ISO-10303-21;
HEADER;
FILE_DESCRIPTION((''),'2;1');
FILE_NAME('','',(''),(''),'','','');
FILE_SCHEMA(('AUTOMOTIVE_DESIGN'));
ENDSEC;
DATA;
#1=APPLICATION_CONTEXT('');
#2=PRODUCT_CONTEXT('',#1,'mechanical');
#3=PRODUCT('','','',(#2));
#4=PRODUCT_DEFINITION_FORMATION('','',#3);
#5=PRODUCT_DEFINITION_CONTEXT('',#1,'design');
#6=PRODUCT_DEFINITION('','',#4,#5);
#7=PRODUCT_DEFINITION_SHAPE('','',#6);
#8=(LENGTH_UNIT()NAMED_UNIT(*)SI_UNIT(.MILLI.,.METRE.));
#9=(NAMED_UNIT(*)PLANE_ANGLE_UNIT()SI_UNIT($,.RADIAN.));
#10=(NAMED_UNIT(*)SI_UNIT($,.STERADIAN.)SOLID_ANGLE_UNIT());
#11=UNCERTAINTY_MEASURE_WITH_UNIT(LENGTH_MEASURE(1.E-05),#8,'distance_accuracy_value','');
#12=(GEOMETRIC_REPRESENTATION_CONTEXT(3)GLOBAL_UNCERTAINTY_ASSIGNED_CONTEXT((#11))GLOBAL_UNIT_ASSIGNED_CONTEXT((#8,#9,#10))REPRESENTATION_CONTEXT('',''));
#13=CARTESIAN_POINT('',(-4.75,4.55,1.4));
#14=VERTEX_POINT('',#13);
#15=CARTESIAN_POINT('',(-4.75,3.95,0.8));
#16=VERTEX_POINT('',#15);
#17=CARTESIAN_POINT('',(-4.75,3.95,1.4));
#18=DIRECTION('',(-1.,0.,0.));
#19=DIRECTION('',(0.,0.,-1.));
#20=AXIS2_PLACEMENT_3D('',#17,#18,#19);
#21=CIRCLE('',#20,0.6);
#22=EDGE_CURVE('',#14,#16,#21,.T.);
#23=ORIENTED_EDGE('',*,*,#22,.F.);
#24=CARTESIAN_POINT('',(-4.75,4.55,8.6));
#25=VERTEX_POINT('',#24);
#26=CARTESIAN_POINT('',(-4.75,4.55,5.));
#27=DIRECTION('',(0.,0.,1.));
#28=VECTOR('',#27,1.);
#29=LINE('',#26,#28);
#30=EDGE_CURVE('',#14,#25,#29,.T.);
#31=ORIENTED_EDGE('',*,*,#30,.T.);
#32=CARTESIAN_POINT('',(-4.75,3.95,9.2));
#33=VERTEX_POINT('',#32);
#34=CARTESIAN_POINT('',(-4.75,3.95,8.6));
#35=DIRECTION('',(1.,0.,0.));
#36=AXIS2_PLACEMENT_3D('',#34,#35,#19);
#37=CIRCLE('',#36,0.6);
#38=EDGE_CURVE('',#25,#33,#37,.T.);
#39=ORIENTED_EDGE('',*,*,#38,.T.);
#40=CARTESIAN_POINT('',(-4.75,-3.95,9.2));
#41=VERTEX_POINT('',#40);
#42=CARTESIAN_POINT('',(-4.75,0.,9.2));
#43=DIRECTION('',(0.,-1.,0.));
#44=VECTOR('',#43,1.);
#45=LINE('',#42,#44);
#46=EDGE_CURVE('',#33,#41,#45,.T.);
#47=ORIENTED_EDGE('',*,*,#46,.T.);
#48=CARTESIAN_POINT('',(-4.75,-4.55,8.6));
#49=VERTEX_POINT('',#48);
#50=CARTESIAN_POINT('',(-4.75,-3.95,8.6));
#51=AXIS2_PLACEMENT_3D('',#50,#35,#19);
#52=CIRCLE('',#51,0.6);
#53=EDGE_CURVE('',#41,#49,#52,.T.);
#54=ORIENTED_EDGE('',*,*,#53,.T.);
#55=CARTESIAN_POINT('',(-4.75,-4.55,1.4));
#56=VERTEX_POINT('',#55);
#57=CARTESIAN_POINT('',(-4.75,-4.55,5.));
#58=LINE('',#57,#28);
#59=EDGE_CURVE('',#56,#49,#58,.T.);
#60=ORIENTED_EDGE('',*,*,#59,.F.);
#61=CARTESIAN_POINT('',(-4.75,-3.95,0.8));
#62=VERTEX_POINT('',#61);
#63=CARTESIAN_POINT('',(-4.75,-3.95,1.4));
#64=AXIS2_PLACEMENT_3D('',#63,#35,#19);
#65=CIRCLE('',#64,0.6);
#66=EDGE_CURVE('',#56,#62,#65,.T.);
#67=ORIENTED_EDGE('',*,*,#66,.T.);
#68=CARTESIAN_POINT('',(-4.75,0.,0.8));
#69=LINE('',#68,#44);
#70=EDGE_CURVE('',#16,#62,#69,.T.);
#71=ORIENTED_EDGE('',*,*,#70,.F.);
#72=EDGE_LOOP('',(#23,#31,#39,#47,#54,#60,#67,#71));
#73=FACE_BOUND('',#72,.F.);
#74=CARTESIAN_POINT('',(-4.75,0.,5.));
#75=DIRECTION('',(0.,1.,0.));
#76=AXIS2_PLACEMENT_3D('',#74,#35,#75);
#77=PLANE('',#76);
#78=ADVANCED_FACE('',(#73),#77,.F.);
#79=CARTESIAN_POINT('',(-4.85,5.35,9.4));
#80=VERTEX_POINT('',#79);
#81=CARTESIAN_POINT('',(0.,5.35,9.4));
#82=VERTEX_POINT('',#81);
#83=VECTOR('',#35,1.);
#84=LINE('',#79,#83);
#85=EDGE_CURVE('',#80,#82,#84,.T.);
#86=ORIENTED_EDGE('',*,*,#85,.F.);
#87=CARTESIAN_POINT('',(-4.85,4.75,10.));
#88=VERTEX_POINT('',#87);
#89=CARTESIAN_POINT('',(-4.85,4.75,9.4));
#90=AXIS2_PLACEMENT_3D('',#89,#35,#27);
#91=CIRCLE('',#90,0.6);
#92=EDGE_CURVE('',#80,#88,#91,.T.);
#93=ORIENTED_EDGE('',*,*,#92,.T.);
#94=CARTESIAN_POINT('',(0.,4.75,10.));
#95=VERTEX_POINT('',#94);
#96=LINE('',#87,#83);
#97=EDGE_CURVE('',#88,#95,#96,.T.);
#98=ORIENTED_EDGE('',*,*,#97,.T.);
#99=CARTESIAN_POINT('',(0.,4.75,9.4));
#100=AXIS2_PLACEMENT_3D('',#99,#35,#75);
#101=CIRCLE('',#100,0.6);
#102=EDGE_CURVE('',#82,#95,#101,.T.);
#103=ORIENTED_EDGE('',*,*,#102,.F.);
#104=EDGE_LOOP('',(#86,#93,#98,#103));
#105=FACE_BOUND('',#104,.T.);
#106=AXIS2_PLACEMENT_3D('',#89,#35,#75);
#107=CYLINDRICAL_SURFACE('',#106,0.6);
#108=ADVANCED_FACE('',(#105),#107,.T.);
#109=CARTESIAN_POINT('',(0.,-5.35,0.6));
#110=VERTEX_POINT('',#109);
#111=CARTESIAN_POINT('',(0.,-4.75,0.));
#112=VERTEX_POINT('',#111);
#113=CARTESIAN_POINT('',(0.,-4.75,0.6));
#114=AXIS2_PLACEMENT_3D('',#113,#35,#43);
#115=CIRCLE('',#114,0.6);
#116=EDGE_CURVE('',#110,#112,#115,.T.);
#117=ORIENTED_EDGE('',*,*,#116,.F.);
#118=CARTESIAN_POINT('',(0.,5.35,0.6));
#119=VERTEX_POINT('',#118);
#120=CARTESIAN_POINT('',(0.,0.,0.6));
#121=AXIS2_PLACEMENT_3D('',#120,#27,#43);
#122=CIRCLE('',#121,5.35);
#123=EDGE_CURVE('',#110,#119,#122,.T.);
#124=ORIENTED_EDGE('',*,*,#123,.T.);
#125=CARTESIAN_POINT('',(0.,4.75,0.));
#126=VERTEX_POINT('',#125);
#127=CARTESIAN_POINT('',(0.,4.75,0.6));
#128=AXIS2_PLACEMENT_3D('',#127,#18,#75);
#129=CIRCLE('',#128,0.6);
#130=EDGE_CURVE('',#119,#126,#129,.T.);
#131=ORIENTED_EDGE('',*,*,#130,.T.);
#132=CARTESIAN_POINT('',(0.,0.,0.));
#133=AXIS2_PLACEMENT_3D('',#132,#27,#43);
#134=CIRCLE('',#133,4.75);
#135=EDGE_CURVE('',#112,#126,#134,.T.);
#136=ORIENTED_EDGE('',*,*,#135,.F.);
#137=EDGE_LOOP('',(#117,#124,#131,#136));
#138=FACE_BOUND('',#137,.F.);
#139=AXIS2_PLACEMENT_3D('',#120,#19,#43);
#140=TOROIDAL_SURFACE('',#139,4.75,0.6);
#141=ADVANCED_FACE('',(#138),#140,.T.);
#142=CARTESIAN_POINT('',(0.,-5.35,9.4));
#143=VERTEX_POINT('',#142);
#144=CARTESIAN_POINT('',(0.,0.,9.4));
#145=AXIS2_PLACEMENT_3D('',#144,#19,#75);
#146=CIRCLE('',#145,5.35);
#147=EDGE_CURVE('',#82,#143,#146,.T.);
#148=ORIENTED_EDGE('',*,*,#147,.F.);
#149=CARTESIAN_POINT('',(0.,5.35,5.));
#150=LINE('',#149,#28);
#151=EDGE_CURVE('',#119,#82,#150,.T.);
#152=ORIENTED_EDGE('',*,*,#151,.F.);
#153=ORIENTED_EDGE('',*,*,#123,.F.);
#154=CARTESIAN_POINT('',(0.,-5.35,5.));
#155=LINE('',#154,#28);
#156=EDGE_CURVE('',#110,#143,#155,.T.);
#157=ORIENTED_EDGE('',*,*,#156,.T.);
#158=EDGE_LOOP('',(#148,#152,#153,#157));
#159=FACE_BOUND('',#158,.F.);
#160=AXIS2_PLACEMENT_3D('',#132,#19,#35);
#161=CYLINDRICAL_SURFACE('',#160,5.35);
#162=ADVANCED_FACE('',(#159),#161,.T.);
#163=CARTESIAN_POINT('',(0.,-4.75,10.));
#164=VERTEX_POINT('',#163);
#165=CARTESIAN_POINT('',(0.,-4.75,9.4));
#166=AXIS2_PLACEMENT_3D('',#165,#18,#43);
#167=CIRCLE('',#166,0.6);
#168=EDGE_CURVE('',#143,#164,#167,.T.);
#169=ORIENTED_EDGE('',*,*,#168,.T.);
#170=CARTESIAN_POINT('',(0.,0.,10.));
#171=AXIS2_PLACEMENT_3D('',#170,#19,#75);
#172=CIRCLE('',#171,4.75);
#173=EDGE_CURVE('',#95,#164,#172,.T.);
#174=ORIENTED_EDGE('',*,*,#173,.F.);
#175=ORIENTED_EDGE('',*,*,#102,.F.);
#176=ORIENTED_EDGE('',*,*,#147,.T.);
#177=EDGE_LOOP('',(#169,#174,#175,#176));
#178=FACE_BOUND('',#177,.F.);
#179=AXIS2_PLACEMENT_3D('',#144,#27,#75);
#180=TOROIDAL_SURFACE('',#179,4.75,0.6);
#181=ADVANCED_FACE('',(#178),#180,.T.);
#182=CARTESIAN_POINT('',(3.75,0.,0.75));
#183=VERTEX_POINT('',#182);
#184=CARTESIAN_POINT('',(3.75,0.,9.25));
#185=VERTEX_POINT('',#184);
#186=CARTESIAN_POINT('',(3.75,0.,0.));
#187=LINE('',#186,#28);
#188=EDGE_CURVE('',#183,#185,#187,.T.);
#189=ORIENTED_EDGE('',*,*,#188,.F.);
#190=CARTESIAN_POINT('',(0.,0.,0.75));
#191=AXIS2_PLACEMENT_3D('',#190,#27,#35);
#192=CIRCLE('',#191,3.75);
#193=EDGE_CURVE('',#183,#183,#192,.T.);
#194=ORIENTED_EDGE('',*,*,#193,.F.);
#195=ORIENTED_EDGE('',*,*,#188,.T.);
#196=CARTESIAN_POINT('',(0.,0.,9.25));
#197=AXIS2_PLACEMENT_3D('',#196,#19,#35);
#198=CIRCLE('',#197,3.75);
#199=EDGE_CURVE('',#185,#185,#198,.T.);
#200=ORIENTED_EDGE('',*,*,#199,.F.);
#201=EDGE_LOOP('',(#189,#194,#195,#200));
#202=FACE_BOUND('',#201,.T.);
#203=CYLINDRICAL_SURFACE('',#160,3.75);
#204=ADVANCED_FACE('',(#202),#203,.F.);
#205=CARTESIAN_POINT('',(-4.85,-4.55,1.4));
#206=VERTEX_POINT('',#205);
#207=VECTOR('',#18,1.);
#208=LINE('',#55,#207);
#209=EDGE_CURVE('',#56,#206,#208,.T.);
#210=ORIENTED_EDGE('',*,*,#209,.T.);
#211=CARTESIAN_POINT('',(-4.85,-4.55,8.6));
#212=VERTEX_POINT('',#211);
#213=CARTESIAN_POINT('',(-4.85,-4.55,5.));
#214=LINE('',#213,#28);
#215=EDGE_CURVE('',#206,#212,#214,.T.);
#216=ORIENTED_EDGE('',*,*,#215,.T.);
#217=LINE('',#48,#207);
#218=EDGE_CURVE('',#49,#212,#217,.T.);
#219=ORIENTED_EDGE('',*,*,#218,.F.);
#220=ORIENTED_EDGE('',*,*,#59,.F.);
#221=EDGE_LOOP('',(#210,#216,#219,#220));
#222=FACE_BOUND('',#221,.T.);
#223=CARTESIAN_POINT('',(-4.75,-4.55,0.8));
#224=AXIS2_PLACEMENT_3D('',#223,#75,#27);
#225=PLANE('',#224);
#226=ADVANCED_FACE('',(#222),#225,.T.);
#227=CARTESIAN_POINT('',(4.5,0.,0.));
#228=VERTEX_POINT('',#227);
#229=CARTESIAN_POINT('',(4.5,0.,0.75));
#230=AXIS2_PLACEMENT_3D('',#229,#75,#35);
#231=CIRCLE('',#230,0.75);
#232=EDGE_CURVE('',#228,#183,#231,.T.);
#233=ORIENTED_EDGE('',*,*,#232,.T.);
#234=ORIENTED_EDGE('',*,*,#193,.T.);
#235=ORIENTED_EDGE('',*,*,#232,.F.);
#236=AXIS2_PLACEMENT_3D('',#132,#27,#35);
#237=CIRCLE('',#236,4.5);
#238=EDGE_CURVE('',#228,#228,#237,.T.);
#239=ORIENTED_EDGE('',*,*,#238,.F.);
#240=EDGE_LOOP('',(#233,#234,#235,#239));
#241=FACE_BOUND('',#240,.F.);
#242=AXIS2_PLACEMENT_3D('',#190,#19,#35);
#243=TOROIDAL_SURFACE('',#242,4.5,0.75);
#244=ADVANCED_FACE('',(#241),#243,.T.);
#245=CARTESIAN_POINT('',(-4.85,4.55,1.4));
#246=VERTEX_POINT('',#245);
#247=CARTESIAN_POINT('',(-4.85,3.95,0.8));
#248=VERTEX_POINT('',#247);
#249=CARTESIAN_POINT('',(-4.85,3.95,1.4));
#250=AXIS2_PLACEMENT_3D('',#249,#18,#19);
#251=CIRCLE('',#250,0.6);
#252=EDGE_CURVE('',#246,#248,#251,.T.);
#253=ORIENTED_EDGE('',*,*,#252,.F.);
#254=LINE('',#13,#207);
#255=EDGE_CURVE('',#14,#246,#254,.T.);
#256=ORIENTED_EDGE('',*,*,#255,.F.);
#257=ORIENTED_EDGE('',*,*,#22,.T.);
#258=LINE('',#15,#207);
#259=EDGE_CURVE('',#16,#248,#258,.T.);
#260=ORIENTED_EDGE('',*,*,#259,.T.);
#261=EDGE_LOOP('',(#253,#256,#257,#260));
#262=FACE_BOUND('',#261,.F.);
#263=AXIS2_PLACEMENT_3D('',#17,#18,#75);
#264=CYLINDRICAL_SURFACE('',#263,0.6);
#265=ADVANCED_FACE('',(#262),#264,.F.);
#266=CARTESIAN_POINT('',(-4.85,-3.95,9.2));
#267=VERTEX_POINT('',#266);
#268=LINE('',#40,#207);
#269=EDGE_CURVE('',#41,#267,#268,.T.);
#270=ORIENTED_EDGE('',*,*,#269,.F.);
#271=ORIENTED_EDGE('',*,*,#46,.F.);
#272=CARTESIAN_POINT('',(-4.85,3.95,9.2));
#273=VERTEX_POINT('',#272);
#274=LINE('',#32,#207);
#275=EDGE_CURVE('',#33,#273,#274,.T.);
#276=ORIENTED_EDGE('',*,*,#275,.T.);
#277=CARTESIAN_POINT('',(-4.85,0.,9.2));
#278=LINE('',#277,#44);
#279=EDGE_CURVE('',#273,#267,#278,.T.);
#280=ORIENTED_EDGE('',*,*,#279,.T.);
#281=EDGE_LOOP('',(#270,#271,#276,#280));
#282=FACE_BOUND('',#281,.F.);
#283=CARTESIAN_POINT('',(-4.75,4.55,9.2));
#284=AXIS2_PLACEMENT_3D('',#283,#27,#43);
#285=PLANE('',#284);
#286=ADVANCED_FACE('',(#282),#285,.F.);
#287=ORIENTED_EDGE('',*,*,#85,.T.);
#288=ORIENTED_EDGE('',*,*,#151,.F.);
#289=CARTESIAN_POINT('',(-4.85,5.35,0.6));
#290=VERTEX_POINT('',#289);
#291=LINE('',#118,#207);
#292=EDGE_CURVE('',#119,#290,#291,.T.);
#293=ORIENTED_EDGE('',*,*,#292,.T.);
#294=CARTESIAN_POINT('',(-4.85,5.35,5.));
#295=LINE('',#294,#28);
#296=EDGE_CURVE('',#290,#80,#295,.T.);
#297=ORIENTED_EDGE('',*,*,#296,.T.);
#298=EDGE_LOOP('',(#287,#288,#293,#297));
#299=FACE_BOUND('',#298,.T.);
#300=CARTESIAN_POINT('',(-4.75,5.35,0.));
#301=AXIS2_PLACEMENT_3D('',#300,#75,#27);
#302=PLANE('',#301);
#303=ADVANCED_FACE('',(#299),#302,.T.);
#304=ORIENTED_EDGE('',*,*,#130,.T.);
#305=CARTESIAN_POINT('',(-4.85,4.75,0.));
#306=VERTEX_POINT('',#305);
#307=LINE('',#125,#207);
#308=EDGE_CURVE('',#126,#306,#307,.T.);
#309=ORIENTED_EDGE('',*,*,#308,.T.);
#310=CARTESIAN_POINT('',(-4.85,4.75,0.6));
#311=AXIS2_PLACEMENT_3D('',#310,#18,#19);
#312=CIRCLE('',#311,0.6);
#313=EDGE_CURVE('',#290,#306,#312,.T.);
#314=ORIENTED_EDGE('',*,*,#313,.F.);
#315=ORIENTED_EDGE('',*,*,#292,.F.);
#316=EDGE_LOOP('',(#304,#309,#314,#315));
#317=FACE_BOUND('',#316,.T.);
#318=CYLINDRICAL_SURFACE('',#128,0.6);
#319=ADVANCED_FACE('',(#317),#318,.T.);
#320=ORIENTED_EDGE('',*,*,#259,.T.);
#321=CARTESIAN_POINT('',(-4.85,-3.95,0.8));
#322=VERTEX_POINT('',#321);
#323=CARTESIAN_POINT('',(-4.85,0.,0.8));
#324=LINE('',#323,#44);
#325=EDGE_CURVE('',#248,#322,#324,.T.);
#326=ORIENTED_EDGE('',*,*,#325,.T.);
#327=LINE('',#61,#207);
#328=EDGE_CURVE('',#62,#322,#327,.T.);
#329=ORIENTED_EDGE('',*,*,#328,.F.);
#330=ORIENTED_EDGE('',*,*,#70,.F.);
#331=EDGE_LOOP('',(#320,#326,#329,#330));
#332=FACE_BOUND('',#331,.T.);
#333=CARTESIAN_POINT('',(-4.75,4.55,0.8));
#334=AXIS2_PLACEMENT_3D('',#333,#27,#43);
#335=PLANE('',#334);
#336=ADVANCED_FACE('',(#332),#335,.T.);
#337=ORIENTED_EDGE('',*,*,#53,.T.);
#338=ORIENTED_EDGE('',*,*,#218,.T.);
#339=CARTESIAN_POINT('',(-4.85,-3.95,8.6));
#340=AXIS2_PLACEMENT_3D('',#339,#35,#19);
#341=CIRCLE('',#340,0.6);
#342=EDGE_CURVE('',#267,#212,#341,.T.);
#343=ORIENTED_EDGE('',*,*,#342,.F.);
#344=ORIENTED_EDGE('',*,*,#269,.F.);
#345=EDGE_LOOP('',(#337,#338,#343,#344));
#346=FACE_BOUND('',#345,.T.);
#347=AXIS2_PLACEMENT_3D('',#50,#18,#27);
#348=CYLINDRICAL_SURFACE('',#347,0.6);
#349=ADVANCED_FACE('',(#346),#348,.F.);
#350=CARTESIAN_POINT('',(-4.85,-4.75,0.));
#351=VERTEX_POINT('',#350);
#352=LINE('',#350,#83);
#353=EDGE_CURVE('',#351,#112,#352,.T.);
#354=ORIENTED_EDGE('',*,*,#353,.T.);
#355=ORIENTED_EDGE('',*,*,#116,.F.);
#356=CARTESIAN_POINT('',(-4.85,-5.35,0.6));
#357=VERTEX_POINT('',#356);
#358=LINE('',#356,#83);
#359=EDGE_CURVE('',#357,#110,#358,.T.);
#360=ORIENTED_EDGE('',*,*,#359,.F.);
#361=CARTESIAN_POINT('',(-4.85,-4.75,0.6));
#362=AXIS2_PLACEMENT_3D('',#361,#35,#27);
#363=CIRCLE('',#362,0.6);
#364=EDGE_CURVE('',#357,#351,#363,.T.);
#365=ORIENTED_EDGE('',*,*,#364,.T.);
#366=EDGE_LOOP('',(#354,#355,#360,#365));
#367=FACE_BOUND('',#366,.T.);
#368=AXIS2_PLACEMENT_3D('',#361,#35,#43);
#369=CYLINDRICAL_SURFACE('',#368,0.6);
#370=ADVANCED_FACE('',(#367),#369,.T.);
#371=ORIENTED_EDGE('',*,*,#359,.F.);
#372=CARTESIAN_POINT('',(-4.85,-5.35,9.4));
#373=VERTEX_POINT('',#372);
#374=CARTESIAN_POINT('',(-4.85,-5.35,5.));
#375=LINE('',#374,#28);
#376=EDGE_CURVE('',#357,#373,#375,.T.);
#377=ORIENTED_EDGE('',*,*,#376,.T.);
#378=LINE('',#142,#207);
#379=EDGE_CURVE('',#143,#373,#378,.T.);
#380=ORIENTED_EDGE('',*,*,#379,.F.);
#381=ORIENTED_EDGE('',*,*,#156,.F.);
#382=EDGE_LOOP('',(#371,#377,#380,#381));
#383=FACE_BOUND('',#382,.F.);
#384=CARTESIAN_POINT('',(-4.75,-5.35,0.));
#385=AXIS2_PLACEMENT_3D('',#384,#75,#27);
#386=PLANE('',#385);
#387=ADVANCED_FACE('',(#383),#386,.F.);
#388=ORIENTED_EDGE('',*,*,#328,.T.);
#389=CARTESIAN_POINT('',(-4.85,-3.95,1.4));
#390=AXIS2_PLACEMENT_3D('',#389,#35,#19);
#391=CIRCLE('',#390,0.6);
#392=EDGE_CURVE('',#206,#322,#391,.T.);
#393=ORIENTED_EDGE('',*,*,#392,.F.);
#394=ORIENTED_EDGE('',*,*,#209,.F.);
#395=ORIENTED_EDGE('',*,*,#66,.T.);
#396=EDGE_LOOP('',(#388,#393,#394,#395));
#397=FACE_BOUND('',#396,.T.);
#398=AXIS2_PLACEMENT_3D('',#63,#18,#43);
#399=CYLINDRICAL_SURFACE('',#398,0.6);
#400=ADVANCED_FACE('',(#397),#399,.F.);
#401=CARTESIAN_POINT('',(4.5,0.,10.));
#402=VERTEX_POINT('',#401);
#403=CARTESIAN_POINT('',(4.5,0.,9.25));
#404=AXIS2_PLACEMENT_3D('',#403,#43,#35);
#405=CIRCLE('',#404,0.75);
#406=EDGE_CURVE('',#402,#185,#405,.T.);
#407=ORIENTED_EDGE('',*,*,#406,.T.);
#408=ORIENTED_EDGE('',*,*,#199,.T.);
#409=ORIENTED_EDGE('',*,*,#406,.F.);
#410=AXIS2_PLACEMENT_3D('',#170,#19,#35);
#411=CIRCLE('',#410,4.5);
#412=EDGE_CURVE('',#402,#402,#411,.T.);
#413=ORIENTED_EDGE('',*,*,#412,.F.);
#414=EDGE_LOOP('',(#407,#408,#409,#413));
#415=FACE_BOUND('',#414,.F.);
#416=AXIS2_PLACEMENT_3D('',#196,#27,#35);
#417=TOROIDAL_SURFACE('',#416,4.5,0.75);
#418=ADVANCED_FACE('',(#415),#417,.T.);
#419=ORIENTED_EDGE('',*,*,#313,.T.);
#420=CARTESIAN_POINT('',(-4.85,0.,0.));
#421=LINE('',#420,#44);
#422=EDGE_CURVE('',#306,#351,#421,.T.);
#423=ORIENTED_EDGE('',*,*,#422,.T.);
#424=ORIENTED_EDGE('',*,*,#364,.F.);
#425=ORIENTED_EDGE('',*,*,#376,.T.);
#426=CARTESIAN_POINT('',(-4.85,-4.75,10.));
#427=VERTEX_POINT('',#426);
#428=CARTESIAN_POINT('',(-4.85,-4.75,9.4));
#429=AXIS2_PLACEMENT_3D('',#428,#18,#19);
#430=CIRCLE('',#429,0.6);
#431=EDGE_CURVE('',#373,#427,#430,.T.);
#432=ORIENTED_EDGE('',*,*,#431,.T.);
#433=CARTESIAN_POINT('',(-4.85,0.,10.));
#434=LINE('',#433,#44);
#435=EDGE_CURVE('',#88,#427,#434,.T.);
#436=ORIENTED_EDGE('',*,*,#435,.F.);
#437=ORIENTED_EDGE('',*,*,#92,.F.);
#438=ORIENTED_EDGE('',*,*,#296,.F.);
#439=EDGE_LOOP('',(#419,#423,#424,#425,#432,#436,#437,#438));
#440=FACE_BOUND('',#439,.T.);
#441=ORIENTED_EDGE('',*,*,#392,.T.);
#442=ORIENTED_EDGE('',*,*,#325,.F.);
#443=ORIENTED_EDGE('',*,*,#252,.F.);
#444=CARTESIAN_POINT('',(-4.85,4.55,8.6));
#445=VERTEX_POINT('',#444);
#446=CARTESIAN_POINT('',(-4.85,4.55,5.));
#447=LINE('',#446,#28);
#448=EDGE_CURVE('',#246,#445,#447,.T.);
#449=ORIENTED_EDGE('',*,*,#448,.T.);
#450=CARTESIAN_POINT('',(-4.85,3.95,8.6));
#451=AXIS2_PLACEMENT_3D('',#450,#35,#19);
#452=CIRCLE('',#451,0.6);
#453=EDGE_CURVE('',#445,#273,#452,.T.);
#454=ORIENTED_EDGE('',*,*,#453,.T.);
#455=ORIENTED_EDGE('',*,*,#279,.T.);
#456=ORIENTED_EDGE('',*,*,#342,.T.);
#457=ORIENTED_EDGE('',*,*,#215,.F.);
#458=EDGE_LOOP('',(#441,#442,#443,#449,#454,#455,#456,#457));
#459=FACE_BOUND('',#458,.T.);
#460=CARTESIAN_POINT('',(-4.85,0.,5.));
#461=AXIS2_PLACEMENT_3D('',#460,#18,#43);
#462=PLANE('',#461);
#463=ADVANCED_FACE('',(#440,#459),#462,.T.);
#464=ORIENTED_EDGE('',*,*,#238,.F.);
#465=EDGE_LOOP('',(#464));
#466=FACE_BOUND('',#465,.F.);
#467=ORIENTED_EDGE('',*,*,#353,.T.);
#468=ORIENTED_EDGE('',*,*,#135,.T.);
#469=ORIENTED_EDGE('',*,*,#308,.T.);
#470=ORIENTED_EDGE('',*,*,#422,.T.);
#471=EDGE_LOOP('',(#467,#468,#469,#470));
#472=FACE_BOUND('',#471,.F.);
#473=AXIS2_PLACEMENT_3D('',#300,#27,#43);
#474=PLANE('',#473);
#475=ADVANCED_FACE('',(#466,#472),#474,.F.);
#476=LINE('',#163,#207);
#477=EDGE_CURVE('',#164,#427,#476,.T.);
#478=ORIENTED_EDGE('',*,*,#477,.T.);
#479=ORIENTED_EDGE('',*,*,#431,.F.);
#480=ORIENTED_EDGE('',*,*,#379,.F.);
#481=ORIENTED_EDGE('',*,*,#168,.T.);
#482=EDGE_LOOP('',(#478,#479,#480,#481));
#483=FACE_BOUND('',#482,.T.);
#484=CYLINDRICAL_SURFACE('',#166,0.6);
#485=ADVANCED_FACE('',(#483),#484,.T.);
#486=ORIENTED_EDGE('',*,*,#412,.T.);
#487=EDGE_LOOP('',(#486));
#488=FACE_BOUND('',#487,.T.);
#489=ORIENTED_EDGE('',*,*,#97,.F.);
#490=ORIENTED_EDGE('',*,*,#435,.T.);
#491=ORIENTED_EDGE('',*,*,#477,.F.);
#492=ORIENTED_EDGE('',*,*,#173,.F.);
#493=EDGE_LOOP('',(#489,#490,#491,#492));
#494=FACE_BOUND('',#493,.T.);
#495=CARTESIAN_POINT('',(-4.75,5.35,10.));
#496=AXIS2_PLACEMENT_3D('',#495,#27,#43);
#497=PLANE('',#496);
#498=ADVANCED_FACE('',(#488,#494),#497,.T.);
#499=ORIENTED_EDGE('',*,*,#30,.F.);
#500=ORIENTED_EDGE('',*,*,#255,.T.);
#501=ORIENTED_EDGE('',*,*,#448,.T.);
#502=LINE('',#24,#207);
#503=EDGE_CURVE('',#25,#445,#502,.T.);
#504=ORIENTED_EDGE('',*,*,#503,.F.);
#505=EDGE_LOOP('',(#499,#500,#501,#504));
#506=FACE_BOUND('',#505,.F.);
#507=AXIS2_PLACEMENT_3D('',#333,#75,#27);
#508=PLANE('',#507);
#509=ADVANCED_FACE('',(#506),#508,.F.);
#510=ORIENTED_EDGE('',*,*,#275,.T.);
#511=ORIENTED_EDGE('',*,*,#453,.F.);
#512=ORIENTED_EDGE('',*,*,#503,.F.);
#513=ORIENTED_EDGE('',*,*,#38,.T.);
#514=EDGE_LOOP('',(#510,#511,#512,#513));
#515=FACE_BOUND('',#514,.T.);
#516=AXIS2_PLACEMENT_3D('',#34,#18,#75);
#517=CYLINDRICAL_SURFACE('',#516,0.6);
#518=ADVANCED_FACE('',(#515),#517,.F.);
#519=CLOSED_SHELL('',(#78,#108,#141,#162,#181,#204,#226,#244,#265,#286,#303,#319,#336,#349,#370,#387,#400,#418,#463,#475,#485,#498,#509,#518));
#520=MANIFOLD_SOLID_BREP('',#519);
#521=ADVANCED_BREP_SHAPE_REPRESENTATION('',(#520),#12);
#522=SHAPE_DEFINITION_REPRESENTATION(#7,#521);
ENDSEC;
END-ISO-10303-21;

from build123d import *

# Parameters (mm, degrees)
F0_R     = 5.35
F0_R_2   = 3.75
F1_DEPTH = 10
F2_W     = 10.7
F2_H     = 10
F3_DEPTH = 4.75
F4_W     = 7.811706725
F4_H     = 10
F5_DEPTH = 25
F6_DEPTH = 25
F7_W     = 10.7
F7_H     = 10
F7_W_2   = 9.1
F7_H_2   = 8.4
F8_DEPTH = 0.1
F9_R     = 0.6
F10_R    = 0.75


with BuildPart() as f1:
    # F0 (on Top) → F1 (new body)
    with BuildSketch(Plane.XY):
        Circle(F0_R)
        Circle(F0_R_2, mode=Mode.SUBTRACT)
        Circle(F0_R_2)
    extrude(amount=F1_DEPTH)

    # F2 (on Right) → F3 (join)
    with BuildSketch(Plane.YZ):
        with Locations((0, 5)):
            Rectangle(F2_W, F2_H)
    extrude(amount=-F3_DEPTH)

    # F4 (on face) → F5 (cut)
    with BuildSketch(Plane(origin=(-4.75, 0, 0), x_dir=(0, -1, 0), z_dir=(-1, 0, 0))):
        with Locations((1.4441466375, 5)):
            Rectangle(F4_W, F4_H)
    extrude(amount=F5_DEPTH, mode=Mode.SUBTRACT)

    # F0 (on Top) → F6 (cut)
    with BuildSketch(Plane.XY):
        Circle(F0_R_2)
    extrude(amount=F6_DEPTH, mode=Mode.SUBTRACT)

    # F7 (on face) → F8 (join)
    with BuildSketch(Plane(origin=(-4.75, 0, 0), x_dir=(0, -1, 0), z_dir=(-1, 0, 0))):
        with Locations((0, 5)):
            Rectangle(F7_W, F7_H)
        with Locations((0, 5)):
            Rectangle(F7_W_2, F7_H_2, mode=Mode.SUBTRACT)
    extrude(amount=F8_DEPTH)

    # F9
    f9_edges = [f1.edges().sort_by_distance(p)[0] for p in [
        (-2.425, 5.35, 10),
        (-2.425, 5.35, 0),
        (-2.425, -5.35, 0),
        (-2.425, -5.35, 10),
        (-4.8, 4.55, 9.2),
        (-4.8, -4.55, 9.2),
        (-4.8, -4.55, 0.8),
        (-4.8, 4.55, 0.8),
    ]]
    fillet(f9_edges, radius=F9_R)

    # F10
    f10_edges = [f1.edges().sort_by_distance(p)[0] for p in [
        (-3.75, 0, 0),
        (-3.75, 0, 10),
    ]]
    fillet(f10_edges, radius=F10_R)


solid = f1.part
